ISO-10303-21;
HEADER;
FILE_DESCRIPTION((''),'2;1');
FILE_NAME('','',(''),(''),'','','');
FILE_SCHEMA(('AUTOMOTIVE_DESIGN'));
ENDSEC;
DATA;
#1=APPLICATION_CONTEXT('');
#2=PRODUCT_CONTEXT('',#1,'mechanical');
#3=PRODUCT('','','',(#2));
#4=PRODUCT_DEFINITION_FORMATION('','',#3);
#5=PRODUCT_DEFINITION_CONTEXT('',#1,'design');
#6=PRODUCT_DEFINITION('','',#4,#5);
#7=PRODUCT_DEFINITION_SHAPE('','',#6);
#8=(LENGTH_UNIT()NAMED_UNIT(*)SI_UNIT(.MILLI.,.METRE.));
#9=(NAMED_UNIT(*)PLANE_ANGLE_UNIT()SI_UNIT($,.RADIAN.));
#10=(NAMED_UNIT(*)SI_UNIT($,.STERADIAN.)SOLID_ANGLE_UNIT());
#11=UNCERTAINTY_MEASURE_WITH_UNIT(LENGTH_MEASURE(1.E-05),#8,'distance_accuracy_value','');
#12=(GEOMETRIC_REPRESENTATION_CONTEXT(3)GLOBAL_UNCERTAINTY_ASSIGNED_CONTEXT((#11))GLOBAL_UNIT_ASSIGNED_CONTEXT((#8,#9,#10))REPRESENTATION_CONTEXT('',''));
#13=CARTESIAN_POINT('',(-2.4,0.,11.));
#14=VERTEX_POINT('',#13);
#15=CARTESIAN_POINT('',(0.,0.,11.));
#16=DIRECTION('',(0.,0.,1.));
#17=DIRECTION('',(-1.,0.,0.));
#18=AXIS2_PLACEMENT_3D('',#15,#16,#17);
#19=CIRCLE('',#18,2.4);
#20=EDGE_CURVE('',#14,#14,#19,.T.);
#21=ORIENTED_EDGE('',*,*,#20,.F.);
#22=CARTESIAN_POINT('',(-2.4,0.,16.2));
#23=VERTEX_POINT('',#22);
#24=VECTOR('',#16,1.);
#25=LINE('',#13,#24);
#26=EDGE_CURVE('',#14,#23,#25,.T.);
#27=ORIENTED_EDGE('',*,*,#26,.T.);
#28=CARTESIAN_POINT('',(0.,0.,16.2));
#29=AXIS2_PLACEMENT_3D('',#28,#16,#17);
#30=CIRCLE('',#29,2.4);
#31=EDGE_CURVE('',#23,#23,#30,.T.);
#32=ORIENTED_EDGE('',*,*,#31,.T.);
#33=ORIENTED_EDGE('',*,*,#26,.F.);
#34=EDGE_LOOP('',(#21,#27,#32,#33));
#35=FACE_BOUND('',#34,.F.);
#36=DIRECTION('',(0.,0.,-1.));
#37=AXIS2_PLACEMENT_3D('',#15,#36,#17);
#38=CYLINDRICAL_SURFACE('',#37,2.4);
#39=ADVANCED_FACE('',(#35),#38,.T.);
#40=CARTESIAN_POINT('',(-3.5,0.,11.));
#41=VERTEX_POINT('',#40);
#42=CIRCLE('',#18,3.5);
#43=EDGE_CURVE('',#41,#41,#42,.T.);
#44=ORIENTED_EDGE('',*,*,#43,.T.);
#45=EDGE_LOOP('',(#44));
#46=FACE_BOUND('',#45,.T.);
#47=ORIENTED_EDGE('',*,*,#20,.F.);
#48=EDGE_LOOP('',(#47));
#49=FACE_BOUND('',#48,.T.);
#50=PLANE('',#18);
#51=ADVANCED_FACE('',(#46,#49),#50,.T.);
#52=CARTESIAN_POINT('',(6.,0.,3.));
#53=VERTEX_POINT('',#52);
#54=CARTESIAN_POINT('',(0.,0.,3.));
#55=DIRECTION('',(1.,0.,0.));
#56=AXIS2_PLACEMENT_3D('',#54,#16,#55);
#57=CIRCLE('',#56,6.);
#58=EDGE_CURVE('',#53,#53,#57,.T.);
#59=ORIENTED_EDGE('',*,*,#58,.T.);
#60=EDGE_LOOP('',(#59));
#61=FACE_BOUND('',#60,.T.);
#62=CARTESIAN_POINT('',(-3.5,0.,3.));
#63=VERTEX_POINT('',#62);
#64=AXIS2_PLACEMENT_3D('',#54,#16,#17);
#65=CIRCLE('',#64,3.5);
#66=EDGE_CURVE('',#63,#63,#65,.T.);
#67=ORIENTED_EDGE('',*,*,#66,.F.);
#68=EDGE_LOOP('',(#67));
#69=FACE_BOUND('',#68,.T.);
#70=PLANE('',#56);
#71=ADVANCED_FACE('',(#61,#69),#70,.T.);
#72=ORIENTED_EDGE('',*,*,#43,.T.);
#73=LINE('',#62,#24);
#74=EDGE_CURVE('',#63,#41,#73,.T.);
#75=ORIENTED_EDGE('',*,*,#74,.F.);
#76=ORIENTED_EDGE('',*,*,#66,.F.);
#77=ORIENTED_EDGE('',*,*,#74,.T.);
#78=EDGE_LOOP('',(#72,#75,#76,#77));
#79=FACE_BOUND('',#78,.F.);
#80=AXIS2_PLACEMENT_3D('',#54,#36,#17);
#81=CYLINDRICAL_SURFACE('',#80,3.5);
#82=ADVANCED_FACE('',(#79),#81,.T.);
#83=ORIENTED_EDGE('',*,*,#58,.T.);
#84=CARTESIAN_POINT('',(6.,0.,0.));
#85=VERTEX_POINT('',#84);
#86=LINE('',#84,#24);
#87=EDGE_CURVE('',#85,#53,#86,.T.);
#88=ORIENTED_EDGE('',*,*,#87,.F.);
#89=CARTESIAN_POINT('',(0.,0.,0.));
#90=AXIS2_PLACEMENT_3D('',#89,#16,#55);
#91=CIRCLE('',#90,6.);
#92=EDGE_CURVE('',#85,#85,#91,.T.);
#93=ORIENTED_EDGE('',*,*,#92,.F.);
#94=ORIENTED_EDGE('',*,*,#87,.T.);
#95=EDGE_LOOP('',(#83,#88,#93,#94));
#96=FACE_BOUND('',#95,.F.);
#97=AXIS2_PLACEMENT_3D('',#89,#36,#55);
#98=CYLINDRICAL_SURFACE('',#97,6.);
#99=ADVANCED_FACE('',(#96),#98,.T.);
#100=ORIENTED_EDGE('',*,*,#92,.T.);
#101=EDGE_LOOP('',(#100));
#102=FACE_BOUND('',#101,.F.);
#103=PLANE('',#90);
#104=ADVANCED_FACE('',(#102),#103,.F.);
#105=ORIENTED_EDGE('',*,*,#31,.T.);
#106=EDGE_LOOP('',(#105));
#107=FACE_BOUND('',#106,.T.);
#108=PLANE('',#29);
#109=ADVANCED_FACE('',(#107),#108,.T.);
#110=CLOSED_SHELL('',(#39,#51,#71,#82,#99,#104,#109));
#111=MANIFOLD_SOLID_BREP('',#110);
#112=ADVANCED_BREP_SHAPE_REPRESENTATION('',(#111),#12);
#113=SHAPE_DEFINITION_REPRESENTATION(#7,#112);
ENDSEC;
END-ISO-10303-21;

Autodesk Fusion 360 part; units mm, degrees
sketch "Sketch1" plane through (0, 0, 0) normal (0, 0, 1) x (1, 0, 0)
  circle A0 centre (0, 0) radius 6
  dimension "d1" = 12
extrude "Extrude1" add sketch "Sketch1" along normal blind 3
sketch "Sketch2" plane through (0, 0, 3) normal (0, 0, 1) x (-1, 0, 0)
  circle A0 centre (0, 0) radius 6
  circle A1 centre (0, 0) radius 3.5
  dimension "d4" = 7
extrude "Extrude2" add sketch "Sketch2" along normal blind 8 contours A1
sketch "Sketch3" plane through (0, 0, 11) normal (0, 0, 1) x (-1, 0, 0)
  circle A0 centre (0, 0) radius 3.5
  circle A1 centre (0, 0) radius 2.4
  dimension "d7" = 4.8
extrude "Extrude3" add sketch "Sketch3" along normal blind 5.2 contours A1
